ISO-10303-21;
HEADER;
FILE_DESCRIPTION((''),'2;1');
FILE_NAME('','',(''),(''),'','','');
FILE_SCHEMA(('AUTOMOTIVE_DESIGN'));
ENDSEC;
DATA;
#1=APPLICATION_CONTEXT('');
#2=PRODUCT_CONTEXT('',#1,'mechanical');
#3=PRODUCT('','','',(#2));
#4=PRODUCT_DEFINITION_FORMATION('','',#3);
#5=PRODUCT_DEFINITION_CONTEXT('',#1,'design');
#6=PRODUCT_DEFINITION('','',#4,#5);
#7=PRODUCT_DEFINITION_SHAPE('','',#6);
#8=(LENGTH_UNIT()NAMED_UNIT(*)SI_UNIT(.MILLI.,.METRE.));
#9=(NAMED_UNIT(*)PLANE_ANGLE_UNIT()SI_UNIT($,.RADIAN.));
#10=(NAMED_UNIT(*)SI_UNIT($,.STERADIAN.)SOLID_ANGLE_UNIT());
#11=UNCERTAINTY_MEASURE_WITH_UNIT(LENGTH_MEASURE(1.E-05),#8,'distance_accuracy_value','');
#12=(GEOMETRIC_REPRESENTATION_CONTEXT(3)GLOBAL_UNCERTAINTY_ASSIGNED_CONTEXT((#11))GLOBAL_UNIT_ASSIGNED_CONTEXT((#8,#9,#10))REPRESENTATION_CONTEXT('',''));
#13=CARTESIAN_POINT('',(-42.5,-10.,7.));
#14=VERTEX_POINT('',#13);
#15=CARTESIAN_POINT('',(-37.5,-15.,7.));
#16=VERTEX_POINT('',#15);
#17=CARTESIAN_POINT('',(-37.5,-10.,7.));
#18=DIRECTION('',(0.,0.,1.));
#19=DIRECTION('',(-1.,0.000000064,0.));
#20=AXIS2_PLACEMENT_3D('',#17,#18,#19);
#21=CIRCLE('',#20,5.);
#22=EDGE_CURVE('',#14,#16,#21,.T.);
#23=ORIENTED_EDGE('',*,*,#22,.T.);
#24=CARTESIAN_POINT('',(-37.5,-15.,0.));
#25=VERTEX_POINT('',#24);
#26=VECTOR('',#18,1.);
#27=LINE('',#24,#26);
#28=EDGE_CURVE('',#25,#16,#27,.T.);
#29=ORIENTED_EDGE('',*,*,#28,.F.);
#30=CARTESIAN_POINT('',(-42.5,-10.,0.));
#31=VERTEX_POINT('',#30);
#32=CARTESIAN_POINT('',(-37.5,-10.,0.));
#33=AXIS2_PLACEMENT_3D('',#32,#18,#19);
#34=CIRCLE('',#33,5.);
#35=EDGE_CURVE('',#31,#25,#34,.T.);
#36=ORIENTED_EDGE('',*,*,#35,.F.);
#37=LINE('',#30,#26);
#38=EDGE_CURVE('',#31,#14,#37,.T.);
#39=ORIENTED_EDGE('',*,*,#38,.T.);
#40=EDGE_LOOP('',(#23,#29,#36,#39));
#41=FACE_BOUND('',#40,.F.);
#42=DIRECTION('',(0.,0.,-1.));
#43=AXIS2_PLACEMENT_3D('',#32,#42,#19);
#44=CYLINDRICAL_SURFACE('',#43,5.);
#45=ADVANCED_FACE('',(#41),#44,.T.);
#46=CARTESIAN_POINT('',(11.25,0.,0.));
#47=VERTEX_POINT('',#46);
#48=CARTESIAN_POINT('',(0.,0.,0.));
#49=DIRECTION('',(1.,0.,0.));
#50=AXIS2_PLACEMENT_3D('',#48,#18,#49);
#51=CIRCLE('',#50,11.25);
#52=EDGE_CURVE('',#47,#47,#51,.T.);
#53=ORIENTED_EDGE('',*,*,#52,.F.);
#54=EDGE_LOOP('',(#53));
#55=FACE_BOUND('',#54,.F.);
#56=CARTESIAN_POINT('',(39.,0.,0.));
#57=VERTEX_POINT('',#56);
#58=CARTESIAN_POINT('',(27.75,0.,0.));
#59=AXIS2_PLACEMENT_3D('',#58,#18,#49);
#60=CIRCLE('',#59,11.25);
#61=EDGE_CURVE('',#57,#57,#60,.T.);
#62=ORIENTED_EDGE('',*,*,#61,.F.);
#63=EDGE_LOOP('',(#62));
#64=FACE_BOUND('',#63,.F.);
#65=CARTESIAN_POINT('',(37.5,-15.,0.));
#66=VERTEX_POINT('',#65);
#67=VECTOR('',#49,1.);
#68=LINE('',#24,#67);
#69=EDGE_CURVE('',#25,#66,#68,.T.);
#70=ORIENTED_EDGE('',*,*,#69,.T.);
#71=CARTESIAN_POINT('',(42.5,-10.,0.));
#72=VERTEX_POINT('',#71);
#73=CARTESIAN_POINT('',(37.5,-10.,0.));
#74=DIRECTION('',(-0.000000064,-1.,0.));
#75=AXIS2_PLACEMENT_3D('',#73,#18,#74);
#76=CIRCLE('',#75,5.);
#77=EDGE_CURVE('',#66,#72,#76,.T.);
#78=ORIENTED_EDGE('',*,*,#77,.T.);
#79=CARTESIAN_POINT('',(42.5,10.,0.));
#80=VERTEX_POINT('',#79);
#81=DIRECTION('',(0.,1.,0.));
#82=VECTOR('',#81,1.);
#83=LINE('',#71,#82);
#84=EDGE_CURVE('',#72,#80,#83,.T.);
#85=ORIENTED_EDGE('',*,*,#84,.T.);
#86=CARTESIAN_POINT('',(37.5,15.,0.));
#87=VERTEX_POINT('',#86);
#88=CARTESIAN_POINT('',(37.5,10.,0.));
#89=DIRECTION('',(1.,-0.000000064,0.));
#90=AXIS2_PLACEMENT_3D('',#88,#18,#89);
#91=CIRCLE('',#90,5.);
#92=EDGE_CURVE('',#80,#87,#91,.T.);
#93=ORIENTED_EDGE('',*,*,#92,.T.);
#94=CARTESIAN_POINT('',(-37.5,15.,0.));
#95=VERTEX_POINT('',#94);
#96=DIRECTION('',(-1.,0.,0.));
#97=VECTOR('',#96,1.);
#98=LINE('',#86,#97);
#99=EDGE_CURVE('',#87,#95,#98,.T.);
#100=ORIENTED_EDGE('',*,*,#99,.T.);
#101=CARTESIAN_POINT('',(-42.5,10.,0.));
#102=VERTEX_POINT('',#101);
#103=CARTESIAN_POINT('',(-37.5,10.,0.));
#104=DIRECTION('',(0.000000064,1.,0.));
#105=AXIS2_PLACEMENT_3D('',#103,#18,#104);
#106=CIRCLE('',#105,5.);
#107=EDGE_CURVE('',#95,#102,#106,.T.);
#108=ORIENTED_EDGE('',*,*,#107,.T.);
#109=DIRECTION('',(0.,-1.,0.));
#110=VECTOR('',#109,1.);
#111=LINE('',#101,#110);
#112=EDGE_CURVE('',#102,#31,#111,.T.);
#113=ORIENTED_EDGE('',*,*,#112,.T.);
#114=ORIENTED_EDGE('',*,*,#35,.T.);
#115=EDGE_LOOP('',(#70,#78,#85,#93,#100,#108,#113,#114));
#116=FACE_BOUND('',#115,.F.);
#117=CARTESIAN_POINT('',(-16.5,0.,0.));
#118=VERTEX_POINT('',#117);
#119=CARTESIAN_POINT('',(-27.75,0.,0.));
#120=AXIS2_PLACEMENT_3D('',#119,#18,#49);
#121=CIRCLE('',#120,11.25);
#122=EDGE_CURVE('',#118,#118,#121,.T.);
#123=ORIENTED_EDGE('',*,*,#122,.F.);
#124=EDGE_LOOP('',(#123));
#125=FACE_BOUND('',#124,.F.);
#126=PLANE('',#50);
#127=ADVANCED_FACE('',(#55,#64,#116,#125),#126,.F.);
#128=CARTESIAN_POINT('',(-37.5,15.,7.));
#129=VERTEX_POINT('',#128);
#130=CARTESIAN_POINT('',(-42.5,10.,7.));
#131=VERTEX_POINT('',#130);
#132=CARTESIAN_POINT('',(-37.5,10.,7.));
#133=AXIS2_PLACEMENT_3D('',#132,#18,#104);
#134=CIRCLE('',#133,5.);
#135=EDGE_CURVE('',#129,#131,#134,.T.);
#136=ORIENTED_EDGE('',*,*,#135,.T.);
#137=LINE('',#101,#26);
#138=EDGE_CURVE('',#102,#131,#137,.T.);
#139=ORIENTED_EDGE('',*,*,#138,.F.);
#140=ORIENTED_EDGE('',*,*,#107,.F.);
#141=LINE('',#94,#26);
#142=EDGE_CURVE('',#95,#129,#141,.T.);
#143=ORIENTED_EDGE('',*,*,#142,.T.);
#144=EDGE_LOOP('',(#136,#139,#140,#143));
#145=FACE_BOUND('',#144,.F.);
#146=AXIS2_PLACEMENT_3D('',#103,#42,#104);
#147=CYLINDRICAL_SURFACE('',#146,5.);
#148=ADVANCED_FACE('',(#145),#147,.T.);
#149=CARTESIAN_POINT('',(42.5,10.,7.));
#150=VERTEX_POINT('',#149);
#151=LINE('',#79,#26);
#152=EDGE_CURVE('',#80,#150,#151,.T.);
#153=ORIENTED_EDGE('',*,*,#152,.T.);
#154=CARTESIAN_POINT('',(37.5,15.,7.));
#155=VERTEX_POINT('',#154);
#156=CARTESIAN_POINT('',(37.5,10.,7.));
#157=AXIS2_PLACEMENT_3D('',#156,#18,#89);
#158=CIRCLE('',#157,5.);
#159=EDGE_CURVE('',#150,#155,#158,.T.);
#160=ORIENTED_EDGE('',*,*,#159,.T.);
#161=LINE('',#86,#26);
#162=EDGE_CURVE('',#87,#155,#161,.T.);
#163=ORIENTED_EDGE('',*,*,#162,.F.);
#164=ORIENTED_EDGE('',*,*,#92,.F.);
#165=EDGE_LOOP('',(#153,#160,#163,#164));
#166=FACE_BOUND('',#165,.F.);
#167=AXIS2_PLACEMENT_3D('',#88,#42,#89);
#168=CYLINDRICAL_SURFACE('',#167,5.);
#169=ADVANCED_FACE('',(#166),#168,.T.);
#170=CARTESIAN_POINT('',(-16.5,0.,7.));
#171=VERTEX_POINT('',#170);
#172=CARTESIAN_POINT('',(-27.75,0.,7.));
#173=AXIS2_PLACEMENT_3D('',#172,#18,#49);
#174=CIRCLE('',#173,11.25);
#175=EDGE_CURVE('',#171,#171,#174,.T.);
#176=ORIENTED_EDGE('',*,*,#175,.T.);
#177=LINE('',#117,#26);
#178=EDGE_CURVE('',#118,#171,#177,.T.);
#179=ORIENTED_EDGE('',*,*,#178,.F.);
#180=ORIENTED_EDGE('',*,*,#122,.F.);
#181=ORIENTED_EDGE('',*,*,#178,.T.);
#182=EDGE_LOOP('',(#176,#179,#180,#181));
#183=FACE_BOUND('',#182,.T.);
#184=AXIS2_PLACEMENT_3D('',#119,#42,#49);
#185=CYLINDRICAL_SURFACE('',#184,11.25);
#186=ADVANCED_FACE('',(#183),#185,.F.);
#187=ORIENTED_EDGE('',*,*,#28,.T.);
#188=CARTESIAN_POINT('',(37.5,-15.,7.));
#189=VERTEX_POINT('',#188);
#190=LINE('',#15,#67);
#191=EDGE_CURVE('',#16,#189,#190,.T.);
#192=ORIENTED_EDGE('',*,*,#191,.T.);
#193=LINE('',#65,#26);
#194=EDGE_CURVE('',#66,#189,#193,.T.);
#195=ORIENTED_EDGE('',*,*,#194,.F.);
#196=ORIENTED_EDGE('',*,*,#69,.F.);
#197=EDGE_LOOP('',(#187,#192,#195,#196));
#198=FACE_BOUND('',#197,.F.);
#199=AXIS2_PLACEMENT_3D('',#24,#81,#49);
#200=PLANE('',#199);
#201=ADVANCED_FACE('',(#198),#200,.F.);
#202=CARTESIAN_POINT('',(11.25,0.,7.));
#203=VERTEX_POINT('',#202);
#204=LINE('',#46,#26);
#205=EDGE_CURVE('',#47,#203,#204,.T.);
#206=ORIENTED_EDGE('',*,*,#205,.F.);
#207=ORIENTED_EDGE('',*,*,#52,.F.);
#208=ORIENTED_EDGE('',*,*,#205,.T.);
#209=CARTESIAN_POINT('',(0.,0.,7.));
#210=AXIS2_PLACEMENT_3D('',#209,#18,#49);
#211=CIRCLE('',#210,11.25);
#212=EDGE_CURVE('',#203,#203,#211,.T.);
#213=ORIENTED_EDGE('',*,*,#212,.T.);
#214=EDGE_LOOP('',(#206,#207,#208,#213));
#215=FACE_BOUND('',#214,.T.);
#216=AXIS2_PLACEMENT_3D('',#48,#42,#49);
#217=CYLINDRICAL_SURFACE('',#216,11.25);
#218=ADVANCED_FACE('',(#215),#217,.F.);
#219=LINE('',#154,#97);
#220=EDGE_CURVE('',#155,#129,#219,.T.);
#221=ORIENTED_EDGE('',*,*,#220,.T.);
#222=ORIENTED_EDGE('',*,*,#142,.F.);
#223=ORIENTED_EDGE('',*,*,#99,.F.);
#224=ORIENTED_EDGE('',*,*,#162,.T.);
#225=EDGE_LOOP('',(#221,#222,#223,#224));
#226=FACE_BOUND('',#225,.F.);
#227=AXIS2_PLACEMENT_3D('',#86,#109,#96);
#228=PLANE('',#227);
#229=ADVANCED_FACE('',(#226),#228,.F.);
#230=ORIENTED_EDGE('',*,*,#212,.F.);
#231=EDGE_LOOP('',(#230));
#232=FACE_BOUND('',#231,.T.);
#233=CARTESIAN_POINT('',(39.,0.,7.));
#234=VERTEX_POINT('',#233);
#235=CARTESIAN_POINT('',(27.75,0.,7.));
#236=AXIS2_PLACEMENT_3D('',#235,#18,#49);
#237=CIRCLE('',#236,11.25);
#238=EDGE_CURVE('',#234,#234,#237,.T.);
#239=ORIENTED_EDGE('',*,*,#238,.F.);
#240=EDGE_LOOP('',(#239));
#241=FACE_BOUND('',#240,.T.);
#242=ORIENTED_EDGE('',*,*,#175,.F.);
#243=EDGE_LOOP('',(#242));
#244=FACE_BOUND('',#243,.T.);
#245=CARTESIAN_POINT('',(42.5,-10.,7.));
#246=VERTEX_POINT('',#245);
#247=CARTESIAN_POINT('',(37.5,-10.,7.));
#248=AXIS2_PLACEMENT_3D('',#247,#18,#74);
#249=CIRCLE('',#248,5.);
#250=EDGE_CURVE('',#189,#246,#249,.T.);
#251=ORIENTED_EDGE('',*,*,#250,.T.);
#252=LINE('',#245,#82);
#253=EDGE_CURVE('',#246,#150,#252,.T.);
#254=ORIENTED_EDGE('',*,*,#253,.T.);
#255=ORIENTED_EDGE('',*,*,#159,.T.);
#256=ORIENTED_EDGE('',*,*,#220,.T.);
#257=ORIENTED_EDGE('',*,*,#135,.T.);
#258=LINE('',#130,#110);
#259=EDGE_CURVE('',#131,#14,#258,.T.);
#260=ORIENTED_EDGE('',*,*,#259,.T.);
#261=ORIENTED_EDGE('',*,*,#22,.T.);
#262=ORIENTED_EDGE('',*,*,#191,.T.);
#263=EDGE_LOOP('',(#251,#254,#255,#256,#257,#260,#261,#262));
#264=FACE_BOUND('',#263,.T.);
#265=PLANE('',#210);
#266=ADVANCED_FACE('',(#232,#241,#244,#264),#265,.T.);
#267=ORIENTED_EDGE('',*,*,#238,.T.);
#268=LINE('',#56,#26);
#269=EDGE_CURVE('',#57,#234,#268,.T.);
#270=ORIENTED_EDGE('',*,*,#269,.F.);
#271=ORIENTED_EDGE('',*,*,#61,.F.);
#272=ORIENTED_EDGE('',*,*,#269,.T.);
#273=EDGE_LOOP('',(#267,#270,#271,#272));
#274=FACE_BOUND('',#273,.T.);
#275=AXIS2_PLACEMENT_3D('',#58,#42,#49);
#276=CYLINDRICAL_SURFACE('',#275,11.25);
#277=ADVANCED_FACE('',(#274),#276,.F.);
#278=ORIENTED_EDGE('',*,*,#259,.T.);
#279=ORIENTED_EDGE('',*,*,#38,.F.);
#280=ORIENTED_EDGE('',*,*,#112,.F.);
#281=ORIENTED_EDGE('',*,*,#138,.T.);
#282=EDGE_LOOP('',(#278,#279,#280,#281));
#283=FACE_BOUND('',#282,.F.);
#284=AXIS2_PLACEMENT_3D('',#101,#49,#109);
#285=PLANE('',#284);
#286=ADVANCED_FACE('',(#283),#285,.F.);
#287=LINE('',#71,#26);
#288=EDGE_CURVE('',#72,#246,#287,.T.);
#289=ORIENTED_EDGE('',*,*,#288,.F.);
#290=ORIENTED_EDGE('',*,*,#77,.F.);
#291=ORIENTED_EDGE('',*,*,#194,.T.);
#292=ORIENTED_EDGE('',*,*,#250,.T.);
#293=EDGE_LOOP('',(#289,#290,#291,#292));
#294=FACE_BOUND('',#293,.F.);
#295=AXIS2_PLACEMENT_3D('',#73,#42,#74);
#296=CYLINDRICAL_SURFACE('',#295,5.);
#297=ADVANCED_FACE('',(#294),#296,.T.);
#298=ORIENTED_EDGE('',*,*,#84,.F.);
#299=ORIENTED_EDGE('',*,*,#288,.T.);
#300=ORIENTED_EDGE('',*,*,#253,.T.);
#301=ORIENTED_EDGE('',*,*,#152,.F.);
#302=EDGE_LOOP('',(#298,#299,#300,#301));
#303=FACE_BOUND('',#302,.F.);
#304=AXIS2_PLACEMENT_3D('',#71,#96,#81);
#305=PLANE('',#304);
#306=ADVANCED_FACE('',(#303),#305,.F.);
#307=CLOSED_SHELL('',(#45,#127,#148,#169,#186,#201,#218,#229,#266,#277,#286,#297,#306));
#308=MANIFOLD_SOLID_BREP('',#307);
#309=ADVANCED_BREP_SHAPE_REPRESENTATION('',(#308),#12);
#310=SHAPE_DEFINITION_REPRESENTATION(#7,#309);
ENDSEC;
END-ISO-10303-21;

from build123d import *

# Parameters (mm, degrees)
F0_R     = 11.25
F1_DEPTH = 7


with BuildPart() as f1:
    # F0 (on Top) → F1 (new body)
    with BuildSketch(Plane.XY):
        with BuildLine():
            ThreePointArc((42.5, 10), (41.035534, 13.535534), (37.5, 15))
            Line((37.5, 15), (-37.5, 15))
            ThreePointArc((-37.5, 15), (-41.035534, 13.535534), (-42.5, 10))
            Line((-42.5, 10), (-42.5, -10))
            ThreePointArc((-42.5, -10), (-41.035534, -13.535534), (-37.5, -15))
            Line((-37.5, -15), (37.5, -15))
            ThreePointArc((37.5, -15), (41.035534, -13.535534), (42.5, -10))
            Line((42.5, -10), (42.5, 10))
        make_face()
        with Locations((-27.75, 0)):
            Circle(F0_R, mode=Mode.SUBTRACT)
        Circle(F0_R, mode=Mode.SUBTRACT)
        with Locations((27.75, 0)):
            Circle(F0_R, mode=Mode.SUBTRACT)
    extrude(amount=F1_DEPTH)


solid = f1.part
